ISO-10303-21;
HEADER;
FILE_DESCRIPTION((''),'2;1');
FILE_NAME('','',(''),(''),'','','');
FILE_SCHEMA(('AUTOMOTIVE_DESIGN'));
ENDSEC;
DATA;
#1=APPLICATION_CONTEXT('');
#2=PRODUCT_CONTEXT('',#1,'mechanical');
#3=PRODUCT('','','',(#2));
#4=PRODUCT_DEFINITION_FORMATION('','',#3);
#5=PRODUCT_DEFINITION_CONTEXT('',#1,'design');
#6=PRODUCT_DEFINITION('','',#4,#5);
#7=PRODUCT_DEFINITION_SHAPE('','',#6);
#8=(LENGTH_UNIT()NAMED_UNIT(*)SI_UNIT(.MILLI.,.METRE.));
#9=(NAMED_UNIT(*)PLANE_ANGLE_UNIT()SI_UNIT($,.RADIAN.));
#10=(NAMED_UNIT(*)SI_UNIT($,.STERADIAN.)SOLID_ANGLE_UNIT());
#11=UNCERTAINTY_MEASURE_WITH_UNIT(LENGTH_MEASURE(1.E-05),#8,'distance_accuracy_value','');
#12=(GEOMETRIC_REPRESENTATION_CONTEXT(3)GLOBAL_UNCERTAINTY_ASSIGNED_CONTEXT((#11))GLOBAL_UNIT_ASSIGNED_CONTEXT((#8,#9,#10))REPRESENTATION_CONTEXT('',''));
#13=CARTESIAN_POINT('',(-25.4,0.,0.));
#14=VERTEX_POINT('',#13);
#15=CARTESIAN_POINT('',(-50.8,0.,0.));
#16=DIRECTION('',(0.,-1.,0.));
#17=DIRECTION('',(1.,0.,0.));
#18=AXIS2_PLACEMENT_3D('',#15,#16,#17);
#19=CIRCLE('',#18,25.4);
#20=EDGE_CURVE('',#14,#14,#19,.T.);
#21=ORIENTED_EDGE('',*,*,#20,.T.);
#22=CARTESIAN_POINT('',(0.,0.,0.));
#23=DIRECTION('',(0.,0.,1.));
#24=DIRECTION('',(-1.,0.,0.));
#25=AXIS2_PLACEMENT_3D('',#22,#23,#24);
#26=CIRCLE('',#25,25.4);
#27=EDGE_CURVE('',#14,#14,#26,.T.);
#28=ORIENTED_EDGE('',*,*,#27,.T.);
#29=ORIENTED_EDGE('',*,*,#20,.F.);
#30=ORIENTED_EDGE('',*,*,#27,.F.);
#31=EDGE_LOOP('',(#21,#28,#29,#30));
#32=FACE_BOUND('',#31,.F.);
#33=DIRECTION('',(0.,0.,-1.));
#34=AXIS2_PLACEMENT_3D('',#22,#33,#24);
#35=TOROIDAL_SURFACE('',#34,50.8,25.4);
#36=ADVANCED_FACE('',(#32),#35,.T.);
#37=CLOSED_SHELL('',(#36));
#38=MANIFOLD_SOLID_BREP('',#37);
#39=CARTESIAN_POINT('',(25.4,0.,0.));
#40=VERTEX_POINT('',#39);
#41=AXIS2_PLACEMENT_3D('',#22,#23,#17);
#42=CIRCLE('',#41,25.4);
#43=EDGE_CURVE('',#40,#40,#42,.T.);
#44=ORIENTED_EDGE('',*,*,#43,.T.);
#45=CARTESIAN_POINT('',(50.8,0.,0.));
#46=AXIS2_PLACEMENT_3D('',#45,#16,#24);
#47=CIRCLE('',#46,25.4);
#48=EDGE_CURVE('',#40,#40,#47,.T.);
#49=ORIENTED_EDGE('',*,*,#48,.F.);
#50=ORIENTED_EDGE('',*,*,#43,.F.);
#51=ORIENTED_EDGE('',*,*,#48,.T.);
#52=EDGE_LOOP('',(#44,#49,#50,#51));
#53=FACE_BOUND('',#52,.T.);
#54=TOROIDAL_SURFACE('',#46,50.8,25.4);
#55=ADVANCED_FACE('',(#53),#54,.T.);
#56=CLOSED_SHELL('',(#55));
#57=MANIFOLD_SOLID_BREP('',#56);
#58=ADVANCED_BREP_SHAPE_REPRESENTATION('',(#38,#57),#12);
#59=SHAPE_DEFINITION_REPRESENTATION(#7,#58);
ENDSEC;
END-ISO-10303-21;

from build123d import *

# Parameters (mm, degrees)
F0_R = 25.4
F2_R = 25.4


with BuildPart() as f1:
    # F0 (on Front) → F1 (revolve)
    with BuildSketch(Plane.XZ):
        with Locations((-50.8, 0)):
            Circle(F0_R)
    revolve(axis=Axis((0, 0, 1.213599), (0, 0, 1)))


with BuildPart() as f3:
    # F2 (on Top) → F3 (revolve)
    with BuildSketch(Plane.XY):
        Circle(F2_R)
    revolve(axis=Axis((50.8, 3.48909, 0), (0, -1, 0)))


solid = Compound([f1.part, f3.part])
